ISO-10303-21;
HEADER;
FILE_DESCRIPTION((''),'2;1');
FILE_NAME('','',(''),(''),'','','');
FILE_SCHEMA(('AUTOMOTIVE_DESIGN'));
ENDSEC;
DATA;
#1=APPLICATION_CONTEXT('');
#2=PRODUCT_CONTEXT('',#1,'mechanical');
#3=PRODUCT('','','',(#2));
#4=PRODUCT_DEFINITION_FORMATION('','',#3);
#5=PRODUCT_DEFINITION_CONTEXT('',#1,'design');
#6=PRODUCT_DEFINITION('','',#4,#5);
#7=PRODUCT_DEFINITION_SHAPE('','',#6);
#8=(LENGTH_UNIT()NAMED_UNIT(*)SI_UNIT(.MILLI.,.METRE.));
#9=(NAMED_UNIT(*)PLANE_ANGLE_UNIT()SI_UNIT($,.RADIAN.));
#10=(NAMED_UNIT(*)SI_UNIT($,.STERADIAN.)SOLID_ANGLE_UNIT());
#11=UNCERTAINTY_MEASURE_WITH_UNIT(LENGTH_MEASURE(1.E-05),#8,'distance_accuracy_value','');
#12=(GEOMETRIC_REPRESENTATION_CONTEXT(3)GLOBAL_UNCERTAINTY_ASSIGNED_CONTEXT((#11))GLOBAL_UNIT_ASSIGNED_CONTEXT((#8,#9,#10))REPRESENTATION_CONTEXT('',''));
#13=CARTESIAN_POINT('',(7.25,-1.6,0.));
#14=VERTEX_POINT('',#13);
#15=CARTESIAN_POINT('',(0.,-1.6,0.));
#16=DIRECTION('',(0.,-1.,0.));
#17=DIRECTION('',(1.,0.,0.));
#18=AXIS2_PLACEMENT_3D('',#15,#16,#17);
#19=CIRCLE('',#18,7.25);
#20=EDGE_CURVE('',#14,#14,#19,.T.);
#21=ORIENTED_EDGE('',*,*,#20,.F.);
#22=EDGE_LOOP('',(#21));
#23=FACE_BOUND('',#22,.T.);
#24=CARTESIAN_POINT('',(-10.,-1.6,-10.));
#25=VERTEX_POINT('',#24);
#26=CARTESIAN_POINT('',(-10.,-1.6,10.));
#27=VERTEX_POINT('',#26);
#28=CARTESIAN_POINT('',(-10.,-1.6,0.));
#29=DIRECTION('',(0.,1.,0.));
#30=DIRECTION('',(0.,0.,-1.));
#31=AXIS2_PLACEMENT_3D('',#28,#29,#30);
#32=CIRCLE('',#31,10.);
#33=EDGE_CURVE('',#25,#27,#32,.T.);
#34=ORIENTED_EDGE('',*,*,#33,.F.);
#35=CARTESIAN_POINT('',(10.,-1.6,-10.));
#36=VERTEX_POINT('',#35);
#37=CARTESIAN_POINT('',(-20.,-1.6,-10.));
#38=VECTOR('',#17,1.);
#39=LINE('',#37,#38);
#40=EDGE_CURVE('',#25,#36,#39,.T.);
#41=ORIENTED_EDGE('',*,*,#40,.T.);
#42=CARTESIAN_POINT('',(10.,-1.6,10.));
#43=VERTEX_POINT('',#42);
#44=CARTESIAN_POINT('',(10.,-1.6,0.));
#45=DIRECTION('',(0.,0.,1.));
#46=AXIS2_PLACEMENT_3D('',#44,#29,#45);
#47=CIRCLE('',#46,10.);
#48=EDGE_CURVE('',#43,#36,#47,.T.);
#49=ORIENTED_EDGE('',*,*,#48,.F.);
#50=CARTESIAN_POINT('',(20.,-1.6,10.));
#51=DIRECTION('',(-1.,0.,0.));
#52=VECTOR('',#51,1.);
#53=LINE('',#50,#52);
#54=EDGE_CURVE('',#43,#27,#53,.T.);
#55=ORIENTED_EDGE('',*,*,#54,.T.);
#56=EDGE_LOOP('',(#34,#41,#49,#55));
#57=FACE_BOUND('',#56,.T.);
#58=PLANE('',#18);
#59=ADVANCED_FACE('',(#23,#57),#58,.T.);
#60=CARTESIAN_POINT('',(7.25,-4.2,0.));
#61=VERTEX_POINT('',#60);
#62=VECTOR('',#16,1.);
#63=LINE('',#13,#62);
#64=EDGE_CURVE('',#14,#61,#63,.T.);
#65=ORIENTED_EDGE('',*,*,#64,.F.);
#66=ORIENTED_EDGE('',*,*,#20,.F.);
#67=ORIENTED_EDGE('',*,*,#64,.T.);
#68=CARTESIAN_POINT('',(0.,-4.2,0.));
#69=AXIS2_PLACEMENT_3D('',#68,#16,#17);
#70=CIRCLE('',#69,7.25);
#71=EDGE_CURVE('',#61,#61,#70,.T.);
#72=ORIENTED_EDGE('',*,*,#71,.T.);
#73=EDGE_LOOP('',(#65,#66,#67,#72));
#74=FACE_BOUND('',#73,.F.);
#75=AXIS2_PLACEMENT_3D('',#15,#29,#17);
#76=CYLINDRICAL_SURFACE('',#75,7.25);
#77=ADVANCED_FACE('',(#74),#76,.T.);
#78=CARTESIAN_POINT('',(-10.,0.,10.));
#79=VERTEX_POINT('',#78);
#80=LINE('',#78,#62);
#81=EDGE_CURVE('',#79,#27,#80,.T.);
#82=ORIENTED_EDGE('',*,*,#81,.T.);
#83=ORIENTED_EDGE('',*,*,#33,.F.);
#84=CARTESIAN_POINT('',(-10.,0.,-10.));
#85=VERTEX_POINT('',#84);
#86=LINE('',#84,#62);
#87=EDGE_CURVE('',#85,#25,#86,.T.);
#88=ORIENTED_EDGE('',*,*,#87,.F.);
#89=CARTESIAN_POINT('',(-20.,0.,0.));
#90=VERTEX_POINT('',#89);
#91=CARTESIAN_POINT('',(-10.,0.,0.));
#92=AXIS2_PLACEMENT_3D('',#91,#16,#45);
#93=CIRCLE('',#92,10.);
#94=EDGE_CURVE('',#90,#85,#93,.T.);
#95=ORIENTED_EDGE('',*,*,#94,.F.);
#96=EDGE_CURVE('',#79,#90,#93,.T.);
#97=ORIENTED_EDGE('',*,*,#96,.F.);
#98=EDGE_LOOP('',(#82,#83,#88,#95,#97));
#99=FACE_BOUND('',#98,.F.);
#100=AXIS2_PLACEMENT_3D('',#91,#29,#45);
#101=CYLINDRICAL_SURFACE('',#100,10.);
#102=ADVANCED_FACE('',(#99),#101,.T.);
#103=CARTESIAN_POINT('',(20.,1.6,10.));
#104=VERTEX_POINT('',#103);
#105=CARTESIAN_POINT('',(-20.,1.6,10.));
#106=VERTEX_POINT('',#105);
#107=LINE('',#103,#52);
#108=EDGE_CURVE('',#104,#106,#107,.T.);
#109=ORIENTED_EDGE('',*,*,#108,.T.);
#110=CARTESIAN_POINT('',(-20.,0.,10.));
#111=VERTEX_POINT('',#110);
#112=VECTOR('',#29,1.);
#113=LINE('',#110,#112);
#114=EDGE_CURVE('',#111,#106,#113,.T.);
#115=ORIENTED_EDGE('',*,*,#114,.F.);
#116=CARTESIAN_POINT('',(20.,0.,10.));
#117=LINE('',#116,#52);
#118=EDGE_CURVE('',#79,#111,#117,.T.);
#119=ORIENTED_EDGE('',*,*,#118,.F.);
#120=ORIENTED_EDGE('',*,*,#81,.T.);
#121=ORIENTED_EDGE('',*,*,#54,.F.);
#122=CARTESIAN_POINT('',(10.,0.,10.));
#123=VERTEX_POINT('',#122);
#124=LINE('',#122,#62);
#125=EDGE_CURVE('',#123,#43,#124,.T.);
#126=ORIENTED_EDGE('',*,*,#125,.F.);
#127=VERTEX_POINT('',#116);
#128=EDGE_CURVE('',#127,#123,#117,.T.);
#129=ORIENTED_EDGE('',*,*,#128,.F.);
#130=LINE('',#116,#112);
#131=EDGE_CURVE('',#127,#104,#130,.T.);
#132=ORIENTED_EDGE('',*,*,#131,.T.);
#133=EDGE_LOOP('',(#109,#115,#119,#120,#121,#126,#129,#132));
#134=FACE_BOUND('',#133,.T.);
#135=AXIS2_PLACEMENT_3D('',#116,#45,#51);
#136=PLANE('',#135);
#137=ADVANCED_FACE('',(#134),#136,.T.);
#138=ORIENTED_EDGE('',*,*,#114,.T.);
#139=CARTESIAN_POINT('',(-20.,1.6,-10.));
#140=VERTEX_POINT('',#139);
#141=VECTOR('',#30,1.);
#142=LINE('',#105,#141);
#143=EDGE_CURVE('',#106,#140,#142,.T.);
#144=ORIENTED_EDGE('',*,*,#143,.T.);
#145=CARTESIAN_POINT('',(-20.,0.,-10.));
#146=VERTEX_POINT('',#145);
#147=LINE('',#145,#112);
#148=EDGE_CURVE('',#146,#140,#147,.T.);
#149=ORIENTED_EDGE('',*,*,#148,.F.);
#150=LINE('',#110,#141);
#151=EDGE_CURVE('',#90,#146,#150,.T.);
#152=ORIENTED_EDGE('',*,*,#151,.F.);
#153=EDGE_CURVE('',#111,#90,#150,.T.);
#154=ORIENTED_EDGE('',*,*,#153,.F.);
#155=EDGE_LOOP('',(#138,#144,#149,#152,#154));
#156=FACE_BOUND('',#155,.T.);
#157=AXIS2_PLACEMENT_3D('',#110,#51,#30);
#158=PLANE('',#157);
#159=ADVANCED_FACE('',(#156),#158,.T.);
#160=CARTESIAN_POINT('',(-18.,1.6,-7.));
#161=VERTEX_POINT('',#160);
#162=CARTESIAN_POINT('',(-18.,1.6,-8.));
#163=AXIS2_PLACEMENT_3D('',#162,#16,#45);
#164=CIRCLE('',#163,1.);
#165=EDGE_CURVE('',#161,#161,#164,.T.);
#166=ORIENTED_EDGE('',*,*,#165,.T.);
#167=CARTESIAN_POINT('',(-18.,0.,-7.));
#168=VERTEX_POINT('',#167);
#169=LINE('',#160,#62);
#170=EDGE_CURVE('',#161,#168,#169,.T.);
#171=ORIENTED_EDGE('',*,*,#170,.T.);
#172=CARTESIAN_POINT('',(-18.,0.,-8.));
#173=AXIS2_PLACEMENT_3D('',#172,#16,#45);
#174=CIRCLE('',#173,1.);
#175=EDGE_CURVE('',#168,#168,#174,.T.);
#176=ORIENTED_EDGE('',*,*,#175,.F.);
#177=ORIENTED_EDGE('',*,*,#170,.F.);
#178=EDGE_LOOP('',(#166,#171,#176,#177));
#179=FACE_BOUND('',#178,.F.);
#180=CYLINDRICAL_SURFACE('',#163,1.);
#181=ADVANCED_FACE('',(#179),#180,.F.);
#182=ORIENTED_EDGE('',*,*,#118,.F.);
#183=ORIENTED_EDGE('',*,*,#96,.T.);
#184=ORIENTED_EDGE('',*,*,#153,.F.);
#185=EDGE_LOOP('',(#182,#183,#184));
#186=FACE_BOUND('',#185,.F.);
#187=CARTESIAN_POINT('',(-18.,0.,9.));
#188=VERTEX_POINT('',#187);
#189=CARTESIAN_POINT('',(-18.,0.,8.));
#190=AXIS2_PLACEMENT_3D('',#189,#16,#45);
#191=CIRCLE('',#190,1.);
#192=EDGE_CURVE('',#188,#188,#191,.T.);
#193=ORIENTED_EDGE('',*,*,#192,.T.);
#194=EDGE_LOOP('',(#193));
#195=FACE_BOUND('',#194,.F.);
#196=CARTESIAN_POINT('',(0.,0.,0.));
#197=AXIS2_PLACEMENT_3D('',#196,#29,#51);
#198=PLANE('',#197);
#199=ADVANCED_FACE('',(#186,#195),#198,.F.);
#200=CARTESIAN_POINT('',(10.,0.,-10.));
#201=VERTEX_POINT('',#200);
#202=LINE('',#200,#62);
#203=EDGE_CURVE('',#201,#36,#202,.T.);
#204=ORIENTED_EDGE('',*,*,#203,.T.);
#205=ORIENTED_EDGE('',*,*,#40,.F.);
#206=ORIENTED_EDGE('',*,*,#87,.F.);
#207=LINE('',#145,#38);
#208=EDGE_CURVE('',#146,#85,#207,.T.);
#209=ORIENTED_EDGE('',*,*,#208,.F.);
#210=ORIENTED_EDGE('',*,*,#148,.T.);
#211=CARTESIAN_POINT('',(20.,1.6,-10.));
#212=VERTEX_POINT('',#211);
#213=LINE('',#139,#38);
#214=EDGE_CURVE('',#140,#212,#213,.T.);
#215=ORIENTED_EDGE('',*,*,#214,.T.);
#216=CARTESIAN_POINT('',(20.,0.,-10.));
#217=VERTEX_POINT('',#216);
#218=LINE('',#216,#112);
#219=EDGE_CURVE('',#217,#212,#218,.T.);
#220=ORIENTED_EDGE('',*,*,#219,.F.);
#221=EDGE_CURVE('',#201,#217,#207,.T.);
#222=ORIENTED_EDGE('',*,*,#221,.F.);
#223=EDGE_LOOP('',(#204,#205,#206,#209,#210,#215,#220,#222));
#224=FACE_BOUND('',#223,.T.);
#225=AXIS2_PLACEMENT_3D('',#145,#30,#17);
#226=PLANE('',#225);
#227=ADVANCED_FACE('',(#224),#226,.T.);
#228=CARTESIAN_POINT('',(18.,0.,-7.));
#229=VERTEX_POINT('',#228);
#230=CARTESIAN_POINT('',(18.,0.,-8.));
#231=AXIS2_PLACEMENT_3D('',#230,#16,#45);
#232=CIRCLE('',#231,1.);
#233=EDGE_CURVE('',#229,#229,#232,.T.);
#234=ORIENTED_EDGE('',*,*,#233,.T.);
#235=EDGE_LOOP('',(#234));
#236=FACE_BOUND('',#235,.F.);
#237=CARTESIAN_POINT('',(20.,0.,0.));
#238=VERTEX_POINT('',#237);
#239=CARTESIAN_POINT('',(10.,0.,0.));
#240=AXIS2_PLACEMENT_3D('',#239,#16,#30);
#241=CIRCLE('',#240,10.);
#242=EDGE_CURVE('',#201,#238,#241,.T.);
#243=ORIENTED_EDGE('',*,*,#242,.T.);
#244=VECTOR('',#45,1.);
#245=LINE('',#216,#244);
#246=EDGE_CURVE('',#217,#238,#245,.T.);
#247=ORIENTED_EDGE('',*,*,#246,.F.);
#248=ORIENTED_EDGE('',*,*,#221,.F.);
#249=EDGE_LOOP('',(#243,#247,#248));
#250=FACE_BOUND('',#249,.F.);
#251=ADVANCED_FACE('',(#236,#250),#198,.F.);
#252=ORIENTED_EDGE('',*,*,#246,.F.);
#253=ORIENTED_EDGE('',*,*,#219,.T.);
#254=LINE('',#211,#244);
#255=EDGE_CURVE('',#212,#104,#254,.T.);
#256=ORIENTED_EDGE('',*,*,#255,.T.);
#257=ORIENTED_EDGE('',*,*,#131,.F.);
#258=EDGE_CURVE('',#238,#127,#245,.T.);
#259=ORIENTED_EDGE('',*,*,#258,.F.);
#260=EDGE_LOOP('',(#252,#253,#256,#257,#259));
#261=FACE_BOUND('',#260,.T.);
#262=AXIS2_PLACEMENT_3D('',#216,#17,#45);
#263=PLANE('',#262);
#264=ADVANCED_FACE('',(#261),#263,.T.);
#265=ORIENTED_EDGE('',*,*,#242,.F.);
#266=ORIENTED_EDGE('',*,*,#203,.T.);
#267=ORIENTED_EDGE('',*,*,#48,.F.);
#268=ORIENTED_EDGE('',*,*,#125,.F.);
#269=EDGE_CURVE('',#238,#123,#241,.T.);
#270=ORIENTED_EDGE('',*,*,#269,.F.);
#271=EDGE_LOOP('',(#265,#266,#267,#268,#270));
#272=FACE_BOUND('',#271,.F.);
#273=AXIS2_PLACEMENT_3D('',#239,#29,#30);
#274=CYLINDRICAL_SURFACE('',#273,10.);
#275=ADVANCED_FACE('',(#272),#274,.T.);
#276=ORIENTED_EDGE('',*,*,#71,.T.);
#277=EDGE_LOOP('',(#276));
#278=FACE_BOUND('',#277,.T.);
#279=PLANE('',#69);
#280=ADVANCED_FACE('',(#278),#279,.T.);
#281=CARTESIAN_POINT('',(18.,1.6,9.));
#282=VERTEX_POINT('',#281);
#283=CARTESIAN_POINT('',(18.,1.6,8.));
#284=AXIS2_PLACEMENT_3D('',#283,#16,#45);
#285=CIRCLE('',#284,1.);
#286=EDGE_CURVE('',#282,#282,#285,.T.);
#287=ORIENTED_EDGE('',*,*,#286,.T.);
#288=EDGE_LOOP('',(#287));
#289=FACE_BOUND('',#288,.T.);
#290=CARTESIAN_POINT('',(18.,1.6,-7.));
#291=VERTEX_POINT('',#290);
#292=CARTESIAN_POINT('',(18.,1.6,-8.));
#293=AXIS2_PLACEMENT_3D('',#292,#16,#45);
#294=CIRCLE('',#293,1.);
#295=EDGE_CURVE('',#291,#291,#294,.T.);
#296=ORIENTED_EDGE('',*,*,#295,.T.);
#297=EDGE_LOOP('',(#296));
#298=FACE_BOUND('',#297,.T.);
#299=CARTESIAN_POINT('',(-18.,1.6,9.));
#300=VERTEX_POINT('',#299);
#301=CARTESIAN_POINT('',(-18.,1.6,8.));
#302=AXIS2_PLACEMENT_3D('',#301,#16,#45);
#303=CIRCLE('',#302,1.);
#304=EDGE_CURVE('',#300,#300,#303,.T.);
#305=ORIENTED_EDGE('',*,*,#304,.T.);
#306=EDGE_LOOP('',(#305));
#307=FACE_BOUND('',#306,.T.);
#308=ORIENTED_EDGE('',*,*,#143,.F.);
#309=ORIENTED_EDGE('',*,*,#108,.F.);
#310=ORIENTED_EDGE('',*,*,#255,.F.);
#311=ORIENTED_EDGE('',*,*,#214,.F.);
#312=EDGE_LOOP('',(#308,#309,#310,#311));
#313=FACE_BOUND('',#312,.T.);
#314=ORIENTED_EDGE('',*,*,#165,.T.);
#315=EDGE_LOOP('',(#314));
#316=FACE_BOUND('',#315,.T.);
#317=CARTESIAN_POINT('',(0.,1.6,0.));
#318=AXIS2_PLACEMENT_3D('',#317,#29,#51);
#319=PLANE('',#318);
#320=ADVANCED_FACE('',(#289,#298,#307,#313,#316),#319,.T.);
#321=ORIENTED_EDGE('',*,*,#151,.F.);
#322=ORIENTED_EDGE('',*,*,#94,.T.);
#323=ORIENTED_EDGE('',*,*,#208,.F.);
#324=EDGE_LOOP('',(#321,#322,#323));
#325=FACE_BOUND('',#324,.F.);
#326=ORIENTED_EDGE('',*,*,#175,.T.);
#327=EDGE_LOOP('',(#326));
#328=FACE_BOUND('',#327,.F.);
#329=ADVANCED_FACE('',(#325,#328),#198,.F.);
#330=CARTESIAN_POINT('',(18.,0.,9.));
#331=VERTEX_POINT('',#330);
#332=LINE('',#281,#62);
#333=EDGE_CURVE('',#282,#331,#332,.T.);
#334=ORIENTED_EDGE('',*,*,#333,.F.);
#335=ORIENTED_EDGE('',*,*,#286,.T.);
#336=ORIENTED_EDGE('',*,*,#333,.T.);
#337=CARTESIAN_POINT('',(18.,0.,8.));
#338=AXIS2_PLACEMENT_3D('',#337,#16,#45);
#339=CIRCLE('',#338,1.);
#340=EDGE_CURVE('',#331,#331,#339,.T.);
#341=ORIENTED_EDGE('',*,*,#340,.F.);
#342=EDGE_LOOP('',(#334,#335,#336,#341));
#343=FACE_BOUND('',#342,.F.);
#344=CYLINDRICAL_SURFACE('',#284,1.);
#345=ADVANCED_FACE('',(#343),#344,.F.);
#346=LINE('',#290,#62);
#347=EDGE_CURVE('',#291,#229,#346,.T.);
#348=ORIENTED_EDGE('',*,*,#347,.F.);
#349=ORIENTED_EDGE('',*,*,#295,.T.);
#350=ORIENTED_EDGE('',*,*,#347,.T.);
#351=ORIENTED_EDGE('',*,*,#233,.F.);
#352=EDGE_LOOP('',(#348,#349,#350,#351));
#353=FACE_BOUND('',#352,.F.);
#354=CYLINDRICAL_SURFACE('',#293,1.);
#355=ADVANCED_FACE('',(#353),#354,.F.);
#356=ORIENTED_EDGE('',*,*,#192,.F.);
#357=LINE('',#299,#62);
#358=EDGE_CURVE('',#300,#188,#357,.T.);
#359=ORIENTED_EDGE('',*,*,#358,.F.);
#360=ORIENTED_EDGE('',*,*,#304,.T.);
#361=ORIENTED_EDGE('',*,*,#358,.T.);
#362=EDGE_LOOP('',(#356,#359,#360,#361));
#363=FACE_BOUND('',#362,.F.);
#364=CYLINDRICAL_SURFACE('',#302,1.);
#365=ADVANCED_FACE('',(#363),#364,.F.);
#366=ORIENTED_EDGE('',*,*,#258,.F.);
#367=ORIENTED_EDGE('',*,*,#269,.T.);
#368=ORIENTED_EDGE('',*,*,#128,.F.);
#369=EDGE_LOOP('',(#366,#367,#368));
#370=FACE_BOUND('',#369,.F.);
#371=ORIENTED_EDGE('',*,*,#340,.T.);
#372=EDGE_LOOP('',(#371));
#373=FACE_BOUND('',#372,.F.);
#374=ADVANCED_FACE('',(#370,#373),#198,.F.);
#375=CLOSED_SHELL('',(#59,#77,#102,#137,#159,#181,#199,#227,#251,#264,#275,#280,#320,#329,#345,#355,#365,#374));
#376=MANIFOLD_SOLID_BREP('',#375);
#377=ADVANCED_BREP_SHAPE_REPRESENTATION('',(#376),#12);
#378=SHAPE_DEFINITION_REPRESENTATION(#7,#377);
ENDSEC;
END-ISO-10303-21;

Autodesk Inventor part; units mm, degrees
ref_plane "YZ Plane" through (0, 0, 0) normal (1, 0, 0) x (0, 1, 0)
ref_plane "XZ Plane" through (0, 0, 0) normal (0, 1, 0) x (-1, 0, 0)
ref_plane "XY Plane" through (0, 0, 0) normal (0, 0, 1) x (1, 0, 0)
sketch "Sketch1" plane through (0, 0, 0) normal (0, 1, 0) x (-1, 0, 0)
  line L0 (-20, 10) -> (20, 10)
  line L1 (20, 10) -> (20, -10)
  line L2 (20, -10) -> (-20, -10)
  line L3 (-20, -10) -> (-20, 10)
  point P0 (0, 0)
  dimension "d0" = 40
  dimension "d1" = 20
  dimension "d2" = 10
  dimension "d3" = 20
extrude "Extrusion1" add sketch "Sketch1" along normal blind 1.6
sketch "Sketch2" plane through (0, 0, 0) normal (0, -1, 0) x (1, 0, 0)
  line L0 (20, 10) -> (-20, 10) projected
  line L1 (-20, 10) -> (-20, -10) projected
  line L2 (-20, -10) -> (20, -10) projected
  line L3 (20, -10) -> (20, 10) projected
  line L4 (-10, 0) -> (10, 0) construction
  line L5 (-10, -10) -> (10, -10)
  line L6 (10, 10) -> (-10, 10)
  arc A0 (-10, 10) -> (-10, -10) centre (-10, 0) ccw
  arc A1 (10, -10) -> (10, 10) centre (10, 0) ccw
  point P0 (0, 0)
  point P1 (0, 0)
  dimension "d6" = 10
extrude "Extrusion2" add sketch "Sketch2" along normal blind 1.6 contours A1 L2 A0 L0
sketch "Sketch3" plane through (0, -1.6, 0) normal (0, -1, 0) x (1, 0, 0)
  circle A0 centre (0, 0) radius 7.25
  dimension "d9" = 14.5
extrude "Extrusion3" add sketch "Sketch3" along normal blind 2.6
sketch "Sketch4" plane through (0, 1.6, 0) normal (0, 1, 0) x (1, 0, 0)
  line L0 (-18, -8) -> (18, -8) construction
  line L1 (18, -8) -> (18, 8) construction
  line L2 (18, 8) -> (-18, 8) construction
  line L3 (-18, 8) -> (-18, -8) construction
  line L4 (-18, -8) -> (18, 8) construction
  line L5 (18, -8) -> (-18, 8) construction
  point P0 (0, 0)
  dimension "d12" = 36
  dimension "d13" = 16
hole "Hole1" at (-18, 1.6, -8) at (-18, 1.6, 8) at (18, 1.6, 8) at (18, 1.6, -8) direction (0, -1, 0) diameter 2 end through all
equation "\"d2\" = 0.5 * d1"
equation "\"d3\" = 0.5 * d0"
properties part number "speaker"
